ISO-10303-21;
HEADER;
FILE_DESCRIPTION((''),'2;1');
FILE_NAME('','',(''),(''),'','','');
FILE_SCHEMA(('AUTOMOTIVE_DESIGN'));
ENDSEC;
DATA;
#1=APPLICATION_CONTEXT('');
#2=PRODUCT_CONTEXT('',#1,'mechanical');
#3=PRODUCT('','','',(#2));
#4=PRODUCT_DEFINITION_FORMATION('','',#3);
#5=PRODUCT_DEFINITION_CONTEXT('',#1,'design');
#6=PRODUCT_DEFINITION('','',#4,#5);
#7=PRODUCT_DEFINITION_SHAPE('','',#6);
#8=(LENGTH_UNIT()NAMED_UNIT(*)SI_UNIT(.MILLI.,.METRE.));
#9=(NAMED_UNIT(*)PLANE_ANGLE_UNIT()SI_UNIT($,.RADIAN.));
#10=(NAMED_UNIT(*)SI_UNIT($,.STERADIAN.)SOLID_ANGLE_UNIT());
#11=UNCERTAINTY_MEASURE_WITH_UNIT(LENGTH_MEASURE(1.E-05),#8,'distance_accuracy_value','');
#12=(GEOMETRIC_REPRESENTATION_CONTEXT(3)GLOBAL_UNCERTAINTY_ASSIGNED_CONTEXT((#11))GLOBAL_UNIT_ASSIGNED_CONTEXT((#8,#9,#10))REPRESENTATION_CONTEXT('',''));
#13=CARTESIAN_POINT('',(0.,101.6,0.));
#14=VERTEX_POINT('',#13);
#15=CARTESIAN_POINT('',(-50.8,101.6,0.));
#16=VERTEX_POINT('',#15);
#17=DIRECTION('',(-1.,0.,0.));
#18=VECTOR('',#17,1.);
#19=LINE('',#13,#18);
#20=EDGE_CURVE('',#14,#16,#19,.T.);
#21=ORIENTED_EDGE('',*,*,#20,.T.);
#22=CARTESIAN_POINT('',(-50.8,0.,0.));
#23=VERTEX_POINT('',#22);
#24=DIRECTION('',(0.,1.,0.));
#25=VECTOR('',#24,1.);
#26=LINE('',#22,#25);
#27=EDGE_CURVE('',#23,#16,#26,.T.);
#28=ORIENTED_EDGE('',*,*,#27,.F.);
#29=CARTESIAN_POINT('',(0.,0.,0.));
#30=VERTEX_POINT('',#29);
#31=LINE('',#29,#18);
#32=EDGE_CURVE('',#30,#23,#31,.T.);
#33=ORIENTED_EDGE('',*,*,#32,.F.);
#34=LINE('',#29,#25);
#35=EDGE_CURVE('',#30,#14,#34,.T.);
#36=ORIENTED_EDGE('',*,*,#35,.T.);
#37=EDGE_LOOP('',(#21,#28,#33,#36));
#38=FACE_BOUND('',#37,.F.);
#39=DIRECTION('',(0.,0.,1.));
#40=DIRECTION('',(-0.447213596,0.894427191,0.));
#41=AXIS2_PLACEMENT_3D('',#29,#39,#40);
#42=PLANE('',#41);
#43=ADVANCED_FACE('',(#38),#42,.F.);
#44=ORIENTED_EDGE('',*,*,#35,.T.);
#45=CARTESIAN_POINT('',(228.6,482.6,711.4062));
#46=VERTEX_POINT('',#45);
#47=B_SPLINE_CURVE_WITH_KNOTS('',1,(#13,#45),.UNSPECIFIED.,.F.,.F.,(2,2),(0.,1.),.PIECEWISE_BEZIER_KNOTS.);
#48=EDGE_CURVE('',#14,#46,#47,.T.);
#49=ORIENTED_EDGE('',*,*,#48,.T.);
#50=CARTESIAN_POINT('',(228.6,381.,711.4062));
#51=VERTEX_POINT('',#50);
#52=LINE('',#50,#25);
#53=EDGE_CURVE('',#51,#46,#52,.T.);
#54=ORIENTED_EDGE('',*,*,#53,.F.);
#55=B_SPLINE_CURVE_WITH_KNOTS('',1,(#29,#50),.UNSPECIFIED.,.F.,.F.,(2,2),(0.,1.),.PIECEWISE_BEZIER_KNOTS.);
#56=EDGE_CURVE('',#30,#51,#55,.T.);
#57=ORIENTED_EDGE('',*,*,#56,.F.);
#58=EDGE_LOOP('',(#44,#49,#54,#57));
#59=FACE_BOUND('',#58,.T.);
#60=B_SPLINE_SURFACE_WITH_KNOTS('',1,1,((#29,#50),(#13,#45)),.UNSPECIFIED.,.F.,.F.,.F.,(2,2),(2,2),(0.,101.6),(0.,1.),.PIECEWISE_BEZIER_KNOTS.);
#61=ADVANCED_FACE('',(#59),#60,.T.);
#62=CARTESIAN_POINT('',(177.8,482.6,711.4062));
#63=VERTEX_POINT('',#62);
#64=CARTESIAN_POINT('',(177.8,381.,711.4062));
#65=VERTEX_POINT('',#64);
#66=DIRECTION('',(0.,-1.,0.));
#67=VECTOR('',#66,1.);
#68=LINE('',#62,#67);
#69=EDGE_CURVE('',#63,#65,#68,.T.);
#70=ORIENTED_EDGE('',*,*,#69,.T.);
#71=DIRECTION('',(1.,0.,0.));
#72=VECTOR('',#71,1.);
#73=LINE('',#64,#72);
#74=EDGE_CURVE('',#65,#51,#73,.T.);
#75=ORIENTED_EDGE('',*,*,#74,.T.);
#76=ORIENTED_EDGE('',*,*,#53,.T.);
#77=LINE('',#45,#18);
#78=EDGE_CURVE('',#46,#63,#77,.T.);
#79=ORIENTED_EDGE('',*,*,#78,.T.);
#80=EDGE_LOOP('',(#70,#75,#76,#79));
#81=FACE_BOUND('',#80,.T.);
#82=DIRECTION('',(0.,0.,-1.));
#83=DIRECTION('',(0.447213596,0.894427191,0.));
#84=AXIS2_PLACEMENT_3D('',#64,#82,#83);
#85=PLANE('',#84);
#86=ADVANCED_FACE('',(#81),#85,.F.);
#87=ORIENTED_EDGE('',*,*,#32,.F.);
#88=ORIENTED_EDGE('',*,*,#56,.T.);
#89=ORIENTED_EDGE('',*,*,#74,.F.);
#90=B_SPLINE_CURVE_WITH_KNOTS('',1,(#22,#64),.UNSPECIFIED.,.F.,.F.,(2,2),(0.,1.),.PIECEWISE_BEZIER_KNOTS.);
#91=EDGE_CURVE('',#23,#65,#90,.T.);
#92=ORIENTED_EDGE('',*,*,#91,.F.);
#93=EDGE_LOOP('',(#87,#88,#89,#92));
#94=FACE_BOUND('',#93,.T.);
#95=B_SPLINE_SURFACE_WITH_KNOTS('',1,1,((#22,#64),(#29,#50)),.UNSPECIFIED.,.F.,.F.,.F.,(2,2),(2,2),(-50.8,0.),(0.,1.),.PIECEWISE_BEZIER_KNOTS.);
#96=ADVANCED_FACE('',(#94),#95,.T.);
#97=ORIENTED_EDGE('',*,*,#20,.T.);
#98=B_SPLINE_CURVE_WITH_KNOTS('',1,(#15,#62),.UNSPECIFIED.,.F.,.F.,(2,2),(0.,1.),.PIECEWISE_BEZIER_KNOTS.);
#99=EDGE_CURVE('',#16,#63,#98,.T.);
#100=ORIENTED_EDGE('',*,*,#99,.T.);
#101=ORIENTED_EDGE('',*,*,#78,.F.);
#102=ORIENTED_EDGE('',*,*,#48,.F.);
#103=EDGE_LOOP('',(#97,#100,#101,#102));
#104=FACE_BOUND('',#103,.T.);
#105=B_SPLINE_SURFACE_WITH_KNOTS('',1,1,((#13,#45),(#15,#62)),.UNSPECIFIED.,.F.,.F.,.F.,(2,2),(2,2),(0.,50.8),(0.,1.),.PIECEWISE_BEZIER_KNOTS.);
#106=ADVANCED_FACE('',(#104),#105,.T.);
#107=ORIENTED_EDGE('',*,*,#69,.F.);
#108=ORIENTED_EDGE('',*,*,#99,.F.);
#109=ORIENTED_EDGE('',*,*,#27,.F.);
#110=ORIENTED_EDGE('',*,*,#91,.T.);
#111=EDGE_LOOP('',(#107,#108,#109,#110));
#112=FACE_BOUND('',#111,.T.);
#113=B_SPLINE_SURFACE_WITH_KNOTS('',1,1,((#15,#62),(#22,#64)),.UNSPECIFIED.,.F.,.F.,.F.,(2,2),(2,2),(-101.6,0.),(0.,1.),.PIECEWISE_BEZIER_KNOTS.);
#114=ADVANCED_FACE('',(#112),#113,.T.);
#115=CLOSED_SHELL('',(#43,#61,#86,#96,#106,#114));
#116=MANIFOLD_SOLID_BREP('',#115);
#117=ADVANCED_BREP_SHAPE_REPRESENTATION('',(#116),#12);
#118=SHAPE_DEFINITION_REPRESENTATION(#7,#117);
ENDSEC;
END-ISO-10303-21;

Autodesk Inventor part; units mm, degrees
ref_plane "YZ Plane" through (0, 0, 0) normal (1, 0, 0) x (0, 1, 0)
ref_plane "XZ Plane" through (0, 0, 0) normal (0, 1, 0) x (-1, 0, 0)
ref_plane "XY Plane" through (0, 0, 0) normal (0, 0, 1) x (1, 0, 0)
ref_plane "Work Plane1" through (0, 0, 0) normal (0, 0, 1) x (1, 0, 0)
sketch "Sketch1" plane through (0, 0, 0) normal (0, 0, 1) x (1, 0, 0)
  line L0 (0, 0) -> (0, 101.6) projected
  line L1 (0, 101.6) -> (-50.8, 101.6) projected
  line L2 (-50.8, 0) -> (-50.8, 101.6) projected
  line L3 (0, 0) -> (-50.8, 0) projected
  line L4 (-50.8, 0) -> (0, 0)
  line L5 (0, 0) -> (0, 101.6)
  line L6 (0, 101.6) -> (-50.8, 101.6)
  line L7 (-50.8, 101.6) -> (-50.8, 0)
ref_plane "Work Plane2" through (177.8, 711.2, 711.4062) normal (0, 0, -1) x (1, 0, 0)
sketch "Sketch2" plane through (177.8, 711.2, 711.4062) normal (0, 0, -1) x (1, 0, 0)
  line L0 (0, 330.2) -> (50.8, 330.2)
  line L1 (50.8, 330.2) -> (50.8, 228.6)
  line L2 (50.8, 228.6) -> (0, 228.6)
  line L3 (0, 228.6) -> (0, 330.2)
  point P0 (-177.8, 711.2)
  dimension "d0" = 50.8
  dimension "d1" = 101.6
loft "Loft1" add profiles "Sketch1", "Sketch2"
properties part number "UpperNoseDiagonalsv2"
